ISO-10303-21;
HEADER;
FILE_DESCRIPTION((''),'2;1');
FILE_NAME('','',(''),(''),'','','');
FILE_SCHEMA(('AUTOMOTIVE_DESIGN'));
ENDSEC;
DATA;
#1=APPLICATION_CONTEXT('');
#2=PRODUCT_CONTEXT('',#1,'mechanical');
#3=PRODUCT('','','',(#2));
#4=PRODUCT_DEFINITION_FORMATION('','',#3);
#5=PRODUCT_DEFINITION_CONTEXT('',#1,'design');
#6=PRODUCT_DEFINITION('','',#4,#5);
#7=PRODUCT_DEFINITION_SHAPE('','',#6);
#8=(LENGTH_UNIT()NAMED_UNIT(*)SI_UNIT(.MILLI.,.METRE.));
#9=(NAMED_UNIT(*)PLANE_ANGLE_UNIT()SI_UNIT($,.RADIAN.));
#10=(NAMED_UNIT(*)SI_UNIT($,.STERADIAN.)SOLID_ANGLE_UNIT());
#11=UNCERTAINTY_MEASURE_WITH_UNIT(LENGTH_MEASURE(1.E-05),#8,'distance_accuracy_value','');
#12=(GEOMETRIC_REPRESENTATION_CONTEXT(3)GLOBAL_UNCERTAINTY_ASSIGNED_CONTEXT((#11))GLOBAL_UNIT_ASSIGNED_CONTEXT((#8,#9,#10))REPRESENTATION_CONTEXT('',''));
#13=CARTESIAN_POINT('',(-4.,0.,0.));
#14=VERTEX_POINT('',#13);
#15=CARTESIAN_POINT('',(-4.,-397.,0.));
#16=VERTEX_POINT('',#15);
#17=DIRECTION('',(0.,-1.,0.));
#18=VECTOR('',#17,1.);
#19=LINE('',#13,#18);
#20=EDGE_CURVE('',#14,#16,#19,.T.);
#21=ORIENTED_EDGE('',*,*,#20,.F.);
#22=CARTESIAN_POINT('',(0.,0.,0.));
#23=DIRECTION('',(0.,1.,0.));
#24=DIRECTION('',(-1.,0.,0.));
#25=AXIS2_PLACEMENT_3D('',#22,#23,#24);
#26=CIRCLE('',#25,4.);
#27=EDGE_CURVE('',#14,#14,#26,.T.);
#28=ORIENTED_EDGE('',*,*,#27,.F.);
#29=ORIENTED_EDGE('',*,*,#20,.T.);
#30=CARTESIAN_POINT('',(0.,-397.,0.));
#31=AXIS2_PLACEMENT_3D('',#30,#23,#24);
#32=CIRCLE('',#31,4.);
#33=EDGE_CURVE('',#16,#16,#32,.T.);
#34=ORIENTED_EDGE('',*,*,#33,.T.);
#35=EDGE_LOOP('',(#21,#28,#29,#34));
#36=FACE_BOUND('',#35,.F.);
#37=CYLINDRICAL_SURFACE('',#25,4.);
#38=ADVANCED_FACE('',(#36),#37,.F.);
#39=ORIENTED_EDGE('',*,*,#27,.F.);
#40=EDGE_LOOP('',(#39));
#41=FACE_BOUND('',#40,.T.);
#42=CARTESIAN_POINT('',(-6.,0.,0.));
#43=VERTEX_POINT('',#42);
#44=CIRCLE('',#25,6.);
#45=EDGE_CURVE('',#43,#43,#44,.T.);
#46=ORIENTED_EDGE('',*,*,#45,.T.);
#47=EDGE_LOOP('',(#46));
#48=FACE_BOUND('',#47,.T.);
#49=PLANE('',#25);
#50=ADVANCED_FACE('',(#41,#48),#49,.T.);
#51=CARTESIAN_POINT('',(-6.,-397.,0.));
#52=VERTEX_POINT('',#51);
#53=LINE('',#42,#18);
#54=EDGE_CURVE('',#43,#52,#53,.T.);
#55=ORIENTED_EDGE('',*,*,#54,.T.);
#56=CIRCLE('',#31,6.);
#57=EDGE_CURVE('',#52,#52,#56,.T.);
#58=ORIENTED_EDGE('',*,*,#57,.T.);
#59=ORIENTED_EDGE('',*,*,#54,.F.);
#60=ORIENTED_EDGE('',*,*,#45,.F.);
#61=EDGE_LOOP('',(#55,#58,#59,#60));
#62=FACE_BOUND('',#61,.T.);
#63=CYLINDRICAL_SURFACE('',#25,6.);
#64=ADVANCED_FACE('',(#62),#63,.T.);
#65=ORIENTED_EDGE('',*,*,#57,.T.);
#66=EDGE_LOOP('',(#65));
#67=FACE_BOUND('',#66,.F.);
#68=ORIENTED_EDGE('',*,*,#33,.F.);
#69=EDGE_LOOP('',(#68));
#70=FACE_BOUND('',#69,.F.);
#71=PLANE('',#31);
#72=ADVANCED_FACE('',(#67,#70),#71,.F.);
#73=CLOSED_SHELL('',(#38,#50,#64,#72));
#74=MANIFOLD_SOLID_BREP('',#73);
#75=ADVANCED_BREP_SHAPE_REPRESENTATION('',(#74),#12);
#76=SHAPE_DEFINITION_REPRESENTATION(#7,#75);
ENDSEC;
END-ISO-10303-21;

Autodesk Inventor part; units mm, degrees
ref_plane "YZ Plane" through (0, 0, 0) normal (1, 0, 0) x (0, 1, 0)
ref_plane "XZ Plane" through (0, 0, 0) normal (0, 1, 0) x (-1, 0, 0)
ref_plane "Arbeitsebene5" through (-13.5, -397, -20) normal (0, 1, 0) x (0, 0, 1)
sketch "Skizze1" plane through (0, 0, 0) normal (0, 1, 0) x (-1, 0, 0)
  circle A0 centre (0, 0) radius 6
  circle A1 centre (0, 0) radius 4
  dimension "d0" = 2
  dimension "d2" = 12
  dimension "d20" = 8
extrude "Extrusion1" add sketch "Skizze1" against normal up to surface (397 mm away)
properties part number "gleitstange" material "Edelstahl"
